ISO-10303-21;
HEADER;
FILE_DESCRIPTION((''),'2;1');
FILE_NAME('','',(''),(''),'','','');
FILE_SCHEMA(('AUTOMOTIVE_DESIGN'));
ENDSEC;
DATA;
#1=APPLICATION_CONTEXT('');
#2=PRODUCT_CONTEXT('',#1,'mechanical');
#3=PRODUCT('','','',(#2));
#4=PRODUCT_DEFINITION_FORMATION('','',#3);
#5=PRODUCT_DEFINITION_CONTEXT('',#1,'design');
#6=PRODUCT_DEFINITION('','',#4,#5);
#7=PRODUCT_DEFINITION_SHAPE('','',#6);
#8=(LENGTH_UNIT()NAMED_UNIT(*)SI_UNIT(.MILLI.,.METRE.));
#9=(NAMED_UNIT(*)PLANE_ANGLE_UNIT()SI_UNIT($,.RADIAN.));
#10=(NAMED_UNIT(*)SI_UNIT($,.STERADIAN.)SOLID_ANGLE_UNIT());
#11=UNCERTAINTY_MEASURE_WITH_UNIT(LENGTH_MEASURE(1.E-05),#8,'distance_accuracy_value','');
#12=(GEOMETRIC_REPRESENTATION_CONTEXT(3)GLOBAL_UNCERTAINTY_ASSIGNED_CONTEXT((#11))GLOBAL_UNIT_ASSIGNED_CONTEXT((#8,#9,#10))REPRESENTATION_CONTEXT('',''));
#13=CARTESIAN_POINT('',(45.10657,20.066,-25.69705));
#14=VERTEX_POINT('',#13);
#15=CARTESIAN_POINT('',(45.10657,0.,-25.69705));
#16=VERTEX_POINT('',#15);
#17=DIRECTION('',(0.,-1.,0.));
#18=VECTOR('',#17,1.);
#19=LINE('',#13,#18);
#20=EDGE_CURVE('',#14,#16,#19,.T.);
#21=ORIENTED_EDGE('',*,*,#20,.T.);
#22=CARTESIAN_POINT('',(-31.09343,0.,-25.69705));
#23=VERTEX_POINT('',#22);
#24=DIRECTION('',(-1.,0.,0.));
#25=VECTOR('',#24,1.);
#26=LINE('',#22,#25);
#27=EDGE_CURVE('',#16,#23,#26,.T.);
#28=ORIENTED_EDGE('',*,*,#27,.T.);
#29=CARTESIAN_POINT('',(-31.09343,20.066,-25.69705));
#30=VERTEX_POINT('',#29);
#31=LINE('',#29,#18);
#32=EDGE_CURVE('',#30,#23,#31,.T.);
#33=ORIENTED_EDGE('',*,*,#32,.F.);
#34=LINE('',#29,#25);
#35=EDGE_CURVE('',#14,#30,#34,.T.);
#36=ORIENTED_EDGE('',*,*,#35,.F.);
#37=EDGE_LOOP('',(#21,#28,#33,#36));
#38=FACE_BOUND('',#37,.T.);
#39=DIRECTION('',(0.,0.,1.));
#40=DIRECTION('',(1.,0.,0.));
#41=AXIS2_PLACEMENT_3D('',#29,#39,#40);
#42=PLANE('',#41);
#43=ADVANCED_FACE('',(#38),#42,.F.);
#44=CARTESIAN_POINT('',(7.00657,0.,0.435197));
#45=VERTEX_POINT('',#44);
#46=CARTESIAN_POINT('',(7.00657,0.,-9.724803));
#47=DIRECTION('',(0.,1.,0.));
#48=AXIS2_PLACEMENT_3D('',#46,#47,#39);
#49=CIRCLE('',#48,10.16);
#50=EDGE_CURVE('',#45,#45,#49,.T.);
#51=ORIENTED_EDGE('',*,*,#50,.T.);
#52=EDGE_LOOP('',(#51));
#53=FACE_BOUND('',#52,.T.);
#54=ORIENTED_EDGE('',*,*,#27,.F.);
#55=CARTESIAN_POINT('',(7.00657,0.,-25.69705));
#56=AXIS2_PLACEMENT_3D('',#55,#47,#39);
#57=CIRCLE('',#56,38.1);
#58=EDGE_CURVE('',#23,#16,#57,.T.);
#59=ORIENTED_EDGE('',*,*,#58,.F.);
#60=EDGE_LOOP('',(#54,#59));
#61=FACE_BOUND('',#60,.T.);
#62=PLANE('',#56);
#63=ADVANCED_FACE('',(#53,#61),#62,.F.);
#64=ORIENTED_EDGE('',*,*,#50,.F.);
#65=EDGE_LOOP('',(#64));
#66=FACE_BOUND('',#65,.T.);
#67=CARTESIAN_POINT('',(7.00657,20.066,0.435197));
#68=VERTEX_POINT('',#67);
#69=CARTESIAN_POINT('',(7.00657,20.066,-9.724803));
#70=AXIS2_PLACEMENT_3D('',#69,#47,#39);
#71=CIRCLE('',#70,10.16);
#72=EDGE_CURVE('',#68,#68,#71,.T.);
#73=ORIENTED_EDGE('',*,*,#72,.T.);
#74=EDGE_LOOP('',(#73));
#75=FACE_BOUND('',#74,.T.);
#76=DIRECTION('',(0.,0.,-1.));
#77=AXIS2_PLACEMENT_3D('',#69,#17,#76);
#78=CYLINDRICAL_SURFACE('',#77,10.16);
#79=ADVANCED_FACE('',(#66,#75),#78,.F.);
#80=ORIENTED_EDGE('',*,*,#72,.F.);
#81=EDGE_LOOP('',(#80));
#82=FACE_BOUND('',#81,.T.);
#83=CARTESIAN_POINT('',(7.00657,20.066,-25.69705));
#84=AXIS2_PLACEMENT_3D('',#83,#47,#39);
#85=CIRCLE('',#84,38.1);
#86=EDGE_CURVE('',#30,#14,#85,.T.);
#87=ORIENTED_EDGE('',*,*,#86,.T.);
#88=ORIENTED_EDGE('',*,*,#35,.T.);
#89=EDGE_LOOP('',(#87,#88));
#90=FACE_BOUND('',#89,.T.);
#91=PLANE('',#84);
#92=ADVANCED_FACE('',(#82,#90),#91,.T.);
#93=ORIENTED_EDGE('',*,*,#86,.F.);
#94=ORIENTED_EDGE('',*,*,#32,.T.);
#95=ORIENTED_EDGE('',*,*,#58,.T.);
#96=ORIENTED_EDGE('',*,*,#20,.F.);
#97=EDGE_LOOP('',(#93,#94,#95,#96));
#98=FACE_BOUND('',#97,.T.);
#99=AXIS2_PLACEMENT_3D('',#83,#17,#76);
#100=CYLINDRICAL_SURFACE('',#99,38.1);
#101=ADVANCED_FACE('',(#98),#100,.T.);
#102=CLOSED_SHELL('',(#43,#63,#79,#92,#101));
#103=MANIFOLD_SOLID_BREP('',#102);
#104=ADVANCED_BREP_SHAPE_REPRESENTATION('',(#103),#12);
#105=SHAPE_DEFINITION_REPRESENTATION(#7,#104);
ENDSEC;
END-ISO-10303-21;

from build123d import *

# Parameters (mm, degrees)
SKETCH3_R           = 10.16
BOSS_EXTRUDE1_DEPTH = 20.066


with BuildPart() as part:
    # Sketch3 → Boss-Extrude1 (new body)
    with BuildSketch(Plane(origin=(0, 0, 0), x_dir=(1, 0, 0), z_dir=(0, 1, 0))):
        with BuildLine():
            Line((-31.093430006, 25.697049592), (45.106569994, 25.697049592))
            ThreePointArc((45.106569994, 25.697049592), (7.006569994, -12.402950408), (-31.093430006, 25.697049592))
        make_face()
        with Locations(Location((7.006569994, 9.724803134, 0), (0, 0, 270))):
            Circle(SKETCH3_R, mode=Mode.SUBTRACT)
    extrude(amount=BOSS_EXTRUDE1_DEPTH)


solid = part.part
